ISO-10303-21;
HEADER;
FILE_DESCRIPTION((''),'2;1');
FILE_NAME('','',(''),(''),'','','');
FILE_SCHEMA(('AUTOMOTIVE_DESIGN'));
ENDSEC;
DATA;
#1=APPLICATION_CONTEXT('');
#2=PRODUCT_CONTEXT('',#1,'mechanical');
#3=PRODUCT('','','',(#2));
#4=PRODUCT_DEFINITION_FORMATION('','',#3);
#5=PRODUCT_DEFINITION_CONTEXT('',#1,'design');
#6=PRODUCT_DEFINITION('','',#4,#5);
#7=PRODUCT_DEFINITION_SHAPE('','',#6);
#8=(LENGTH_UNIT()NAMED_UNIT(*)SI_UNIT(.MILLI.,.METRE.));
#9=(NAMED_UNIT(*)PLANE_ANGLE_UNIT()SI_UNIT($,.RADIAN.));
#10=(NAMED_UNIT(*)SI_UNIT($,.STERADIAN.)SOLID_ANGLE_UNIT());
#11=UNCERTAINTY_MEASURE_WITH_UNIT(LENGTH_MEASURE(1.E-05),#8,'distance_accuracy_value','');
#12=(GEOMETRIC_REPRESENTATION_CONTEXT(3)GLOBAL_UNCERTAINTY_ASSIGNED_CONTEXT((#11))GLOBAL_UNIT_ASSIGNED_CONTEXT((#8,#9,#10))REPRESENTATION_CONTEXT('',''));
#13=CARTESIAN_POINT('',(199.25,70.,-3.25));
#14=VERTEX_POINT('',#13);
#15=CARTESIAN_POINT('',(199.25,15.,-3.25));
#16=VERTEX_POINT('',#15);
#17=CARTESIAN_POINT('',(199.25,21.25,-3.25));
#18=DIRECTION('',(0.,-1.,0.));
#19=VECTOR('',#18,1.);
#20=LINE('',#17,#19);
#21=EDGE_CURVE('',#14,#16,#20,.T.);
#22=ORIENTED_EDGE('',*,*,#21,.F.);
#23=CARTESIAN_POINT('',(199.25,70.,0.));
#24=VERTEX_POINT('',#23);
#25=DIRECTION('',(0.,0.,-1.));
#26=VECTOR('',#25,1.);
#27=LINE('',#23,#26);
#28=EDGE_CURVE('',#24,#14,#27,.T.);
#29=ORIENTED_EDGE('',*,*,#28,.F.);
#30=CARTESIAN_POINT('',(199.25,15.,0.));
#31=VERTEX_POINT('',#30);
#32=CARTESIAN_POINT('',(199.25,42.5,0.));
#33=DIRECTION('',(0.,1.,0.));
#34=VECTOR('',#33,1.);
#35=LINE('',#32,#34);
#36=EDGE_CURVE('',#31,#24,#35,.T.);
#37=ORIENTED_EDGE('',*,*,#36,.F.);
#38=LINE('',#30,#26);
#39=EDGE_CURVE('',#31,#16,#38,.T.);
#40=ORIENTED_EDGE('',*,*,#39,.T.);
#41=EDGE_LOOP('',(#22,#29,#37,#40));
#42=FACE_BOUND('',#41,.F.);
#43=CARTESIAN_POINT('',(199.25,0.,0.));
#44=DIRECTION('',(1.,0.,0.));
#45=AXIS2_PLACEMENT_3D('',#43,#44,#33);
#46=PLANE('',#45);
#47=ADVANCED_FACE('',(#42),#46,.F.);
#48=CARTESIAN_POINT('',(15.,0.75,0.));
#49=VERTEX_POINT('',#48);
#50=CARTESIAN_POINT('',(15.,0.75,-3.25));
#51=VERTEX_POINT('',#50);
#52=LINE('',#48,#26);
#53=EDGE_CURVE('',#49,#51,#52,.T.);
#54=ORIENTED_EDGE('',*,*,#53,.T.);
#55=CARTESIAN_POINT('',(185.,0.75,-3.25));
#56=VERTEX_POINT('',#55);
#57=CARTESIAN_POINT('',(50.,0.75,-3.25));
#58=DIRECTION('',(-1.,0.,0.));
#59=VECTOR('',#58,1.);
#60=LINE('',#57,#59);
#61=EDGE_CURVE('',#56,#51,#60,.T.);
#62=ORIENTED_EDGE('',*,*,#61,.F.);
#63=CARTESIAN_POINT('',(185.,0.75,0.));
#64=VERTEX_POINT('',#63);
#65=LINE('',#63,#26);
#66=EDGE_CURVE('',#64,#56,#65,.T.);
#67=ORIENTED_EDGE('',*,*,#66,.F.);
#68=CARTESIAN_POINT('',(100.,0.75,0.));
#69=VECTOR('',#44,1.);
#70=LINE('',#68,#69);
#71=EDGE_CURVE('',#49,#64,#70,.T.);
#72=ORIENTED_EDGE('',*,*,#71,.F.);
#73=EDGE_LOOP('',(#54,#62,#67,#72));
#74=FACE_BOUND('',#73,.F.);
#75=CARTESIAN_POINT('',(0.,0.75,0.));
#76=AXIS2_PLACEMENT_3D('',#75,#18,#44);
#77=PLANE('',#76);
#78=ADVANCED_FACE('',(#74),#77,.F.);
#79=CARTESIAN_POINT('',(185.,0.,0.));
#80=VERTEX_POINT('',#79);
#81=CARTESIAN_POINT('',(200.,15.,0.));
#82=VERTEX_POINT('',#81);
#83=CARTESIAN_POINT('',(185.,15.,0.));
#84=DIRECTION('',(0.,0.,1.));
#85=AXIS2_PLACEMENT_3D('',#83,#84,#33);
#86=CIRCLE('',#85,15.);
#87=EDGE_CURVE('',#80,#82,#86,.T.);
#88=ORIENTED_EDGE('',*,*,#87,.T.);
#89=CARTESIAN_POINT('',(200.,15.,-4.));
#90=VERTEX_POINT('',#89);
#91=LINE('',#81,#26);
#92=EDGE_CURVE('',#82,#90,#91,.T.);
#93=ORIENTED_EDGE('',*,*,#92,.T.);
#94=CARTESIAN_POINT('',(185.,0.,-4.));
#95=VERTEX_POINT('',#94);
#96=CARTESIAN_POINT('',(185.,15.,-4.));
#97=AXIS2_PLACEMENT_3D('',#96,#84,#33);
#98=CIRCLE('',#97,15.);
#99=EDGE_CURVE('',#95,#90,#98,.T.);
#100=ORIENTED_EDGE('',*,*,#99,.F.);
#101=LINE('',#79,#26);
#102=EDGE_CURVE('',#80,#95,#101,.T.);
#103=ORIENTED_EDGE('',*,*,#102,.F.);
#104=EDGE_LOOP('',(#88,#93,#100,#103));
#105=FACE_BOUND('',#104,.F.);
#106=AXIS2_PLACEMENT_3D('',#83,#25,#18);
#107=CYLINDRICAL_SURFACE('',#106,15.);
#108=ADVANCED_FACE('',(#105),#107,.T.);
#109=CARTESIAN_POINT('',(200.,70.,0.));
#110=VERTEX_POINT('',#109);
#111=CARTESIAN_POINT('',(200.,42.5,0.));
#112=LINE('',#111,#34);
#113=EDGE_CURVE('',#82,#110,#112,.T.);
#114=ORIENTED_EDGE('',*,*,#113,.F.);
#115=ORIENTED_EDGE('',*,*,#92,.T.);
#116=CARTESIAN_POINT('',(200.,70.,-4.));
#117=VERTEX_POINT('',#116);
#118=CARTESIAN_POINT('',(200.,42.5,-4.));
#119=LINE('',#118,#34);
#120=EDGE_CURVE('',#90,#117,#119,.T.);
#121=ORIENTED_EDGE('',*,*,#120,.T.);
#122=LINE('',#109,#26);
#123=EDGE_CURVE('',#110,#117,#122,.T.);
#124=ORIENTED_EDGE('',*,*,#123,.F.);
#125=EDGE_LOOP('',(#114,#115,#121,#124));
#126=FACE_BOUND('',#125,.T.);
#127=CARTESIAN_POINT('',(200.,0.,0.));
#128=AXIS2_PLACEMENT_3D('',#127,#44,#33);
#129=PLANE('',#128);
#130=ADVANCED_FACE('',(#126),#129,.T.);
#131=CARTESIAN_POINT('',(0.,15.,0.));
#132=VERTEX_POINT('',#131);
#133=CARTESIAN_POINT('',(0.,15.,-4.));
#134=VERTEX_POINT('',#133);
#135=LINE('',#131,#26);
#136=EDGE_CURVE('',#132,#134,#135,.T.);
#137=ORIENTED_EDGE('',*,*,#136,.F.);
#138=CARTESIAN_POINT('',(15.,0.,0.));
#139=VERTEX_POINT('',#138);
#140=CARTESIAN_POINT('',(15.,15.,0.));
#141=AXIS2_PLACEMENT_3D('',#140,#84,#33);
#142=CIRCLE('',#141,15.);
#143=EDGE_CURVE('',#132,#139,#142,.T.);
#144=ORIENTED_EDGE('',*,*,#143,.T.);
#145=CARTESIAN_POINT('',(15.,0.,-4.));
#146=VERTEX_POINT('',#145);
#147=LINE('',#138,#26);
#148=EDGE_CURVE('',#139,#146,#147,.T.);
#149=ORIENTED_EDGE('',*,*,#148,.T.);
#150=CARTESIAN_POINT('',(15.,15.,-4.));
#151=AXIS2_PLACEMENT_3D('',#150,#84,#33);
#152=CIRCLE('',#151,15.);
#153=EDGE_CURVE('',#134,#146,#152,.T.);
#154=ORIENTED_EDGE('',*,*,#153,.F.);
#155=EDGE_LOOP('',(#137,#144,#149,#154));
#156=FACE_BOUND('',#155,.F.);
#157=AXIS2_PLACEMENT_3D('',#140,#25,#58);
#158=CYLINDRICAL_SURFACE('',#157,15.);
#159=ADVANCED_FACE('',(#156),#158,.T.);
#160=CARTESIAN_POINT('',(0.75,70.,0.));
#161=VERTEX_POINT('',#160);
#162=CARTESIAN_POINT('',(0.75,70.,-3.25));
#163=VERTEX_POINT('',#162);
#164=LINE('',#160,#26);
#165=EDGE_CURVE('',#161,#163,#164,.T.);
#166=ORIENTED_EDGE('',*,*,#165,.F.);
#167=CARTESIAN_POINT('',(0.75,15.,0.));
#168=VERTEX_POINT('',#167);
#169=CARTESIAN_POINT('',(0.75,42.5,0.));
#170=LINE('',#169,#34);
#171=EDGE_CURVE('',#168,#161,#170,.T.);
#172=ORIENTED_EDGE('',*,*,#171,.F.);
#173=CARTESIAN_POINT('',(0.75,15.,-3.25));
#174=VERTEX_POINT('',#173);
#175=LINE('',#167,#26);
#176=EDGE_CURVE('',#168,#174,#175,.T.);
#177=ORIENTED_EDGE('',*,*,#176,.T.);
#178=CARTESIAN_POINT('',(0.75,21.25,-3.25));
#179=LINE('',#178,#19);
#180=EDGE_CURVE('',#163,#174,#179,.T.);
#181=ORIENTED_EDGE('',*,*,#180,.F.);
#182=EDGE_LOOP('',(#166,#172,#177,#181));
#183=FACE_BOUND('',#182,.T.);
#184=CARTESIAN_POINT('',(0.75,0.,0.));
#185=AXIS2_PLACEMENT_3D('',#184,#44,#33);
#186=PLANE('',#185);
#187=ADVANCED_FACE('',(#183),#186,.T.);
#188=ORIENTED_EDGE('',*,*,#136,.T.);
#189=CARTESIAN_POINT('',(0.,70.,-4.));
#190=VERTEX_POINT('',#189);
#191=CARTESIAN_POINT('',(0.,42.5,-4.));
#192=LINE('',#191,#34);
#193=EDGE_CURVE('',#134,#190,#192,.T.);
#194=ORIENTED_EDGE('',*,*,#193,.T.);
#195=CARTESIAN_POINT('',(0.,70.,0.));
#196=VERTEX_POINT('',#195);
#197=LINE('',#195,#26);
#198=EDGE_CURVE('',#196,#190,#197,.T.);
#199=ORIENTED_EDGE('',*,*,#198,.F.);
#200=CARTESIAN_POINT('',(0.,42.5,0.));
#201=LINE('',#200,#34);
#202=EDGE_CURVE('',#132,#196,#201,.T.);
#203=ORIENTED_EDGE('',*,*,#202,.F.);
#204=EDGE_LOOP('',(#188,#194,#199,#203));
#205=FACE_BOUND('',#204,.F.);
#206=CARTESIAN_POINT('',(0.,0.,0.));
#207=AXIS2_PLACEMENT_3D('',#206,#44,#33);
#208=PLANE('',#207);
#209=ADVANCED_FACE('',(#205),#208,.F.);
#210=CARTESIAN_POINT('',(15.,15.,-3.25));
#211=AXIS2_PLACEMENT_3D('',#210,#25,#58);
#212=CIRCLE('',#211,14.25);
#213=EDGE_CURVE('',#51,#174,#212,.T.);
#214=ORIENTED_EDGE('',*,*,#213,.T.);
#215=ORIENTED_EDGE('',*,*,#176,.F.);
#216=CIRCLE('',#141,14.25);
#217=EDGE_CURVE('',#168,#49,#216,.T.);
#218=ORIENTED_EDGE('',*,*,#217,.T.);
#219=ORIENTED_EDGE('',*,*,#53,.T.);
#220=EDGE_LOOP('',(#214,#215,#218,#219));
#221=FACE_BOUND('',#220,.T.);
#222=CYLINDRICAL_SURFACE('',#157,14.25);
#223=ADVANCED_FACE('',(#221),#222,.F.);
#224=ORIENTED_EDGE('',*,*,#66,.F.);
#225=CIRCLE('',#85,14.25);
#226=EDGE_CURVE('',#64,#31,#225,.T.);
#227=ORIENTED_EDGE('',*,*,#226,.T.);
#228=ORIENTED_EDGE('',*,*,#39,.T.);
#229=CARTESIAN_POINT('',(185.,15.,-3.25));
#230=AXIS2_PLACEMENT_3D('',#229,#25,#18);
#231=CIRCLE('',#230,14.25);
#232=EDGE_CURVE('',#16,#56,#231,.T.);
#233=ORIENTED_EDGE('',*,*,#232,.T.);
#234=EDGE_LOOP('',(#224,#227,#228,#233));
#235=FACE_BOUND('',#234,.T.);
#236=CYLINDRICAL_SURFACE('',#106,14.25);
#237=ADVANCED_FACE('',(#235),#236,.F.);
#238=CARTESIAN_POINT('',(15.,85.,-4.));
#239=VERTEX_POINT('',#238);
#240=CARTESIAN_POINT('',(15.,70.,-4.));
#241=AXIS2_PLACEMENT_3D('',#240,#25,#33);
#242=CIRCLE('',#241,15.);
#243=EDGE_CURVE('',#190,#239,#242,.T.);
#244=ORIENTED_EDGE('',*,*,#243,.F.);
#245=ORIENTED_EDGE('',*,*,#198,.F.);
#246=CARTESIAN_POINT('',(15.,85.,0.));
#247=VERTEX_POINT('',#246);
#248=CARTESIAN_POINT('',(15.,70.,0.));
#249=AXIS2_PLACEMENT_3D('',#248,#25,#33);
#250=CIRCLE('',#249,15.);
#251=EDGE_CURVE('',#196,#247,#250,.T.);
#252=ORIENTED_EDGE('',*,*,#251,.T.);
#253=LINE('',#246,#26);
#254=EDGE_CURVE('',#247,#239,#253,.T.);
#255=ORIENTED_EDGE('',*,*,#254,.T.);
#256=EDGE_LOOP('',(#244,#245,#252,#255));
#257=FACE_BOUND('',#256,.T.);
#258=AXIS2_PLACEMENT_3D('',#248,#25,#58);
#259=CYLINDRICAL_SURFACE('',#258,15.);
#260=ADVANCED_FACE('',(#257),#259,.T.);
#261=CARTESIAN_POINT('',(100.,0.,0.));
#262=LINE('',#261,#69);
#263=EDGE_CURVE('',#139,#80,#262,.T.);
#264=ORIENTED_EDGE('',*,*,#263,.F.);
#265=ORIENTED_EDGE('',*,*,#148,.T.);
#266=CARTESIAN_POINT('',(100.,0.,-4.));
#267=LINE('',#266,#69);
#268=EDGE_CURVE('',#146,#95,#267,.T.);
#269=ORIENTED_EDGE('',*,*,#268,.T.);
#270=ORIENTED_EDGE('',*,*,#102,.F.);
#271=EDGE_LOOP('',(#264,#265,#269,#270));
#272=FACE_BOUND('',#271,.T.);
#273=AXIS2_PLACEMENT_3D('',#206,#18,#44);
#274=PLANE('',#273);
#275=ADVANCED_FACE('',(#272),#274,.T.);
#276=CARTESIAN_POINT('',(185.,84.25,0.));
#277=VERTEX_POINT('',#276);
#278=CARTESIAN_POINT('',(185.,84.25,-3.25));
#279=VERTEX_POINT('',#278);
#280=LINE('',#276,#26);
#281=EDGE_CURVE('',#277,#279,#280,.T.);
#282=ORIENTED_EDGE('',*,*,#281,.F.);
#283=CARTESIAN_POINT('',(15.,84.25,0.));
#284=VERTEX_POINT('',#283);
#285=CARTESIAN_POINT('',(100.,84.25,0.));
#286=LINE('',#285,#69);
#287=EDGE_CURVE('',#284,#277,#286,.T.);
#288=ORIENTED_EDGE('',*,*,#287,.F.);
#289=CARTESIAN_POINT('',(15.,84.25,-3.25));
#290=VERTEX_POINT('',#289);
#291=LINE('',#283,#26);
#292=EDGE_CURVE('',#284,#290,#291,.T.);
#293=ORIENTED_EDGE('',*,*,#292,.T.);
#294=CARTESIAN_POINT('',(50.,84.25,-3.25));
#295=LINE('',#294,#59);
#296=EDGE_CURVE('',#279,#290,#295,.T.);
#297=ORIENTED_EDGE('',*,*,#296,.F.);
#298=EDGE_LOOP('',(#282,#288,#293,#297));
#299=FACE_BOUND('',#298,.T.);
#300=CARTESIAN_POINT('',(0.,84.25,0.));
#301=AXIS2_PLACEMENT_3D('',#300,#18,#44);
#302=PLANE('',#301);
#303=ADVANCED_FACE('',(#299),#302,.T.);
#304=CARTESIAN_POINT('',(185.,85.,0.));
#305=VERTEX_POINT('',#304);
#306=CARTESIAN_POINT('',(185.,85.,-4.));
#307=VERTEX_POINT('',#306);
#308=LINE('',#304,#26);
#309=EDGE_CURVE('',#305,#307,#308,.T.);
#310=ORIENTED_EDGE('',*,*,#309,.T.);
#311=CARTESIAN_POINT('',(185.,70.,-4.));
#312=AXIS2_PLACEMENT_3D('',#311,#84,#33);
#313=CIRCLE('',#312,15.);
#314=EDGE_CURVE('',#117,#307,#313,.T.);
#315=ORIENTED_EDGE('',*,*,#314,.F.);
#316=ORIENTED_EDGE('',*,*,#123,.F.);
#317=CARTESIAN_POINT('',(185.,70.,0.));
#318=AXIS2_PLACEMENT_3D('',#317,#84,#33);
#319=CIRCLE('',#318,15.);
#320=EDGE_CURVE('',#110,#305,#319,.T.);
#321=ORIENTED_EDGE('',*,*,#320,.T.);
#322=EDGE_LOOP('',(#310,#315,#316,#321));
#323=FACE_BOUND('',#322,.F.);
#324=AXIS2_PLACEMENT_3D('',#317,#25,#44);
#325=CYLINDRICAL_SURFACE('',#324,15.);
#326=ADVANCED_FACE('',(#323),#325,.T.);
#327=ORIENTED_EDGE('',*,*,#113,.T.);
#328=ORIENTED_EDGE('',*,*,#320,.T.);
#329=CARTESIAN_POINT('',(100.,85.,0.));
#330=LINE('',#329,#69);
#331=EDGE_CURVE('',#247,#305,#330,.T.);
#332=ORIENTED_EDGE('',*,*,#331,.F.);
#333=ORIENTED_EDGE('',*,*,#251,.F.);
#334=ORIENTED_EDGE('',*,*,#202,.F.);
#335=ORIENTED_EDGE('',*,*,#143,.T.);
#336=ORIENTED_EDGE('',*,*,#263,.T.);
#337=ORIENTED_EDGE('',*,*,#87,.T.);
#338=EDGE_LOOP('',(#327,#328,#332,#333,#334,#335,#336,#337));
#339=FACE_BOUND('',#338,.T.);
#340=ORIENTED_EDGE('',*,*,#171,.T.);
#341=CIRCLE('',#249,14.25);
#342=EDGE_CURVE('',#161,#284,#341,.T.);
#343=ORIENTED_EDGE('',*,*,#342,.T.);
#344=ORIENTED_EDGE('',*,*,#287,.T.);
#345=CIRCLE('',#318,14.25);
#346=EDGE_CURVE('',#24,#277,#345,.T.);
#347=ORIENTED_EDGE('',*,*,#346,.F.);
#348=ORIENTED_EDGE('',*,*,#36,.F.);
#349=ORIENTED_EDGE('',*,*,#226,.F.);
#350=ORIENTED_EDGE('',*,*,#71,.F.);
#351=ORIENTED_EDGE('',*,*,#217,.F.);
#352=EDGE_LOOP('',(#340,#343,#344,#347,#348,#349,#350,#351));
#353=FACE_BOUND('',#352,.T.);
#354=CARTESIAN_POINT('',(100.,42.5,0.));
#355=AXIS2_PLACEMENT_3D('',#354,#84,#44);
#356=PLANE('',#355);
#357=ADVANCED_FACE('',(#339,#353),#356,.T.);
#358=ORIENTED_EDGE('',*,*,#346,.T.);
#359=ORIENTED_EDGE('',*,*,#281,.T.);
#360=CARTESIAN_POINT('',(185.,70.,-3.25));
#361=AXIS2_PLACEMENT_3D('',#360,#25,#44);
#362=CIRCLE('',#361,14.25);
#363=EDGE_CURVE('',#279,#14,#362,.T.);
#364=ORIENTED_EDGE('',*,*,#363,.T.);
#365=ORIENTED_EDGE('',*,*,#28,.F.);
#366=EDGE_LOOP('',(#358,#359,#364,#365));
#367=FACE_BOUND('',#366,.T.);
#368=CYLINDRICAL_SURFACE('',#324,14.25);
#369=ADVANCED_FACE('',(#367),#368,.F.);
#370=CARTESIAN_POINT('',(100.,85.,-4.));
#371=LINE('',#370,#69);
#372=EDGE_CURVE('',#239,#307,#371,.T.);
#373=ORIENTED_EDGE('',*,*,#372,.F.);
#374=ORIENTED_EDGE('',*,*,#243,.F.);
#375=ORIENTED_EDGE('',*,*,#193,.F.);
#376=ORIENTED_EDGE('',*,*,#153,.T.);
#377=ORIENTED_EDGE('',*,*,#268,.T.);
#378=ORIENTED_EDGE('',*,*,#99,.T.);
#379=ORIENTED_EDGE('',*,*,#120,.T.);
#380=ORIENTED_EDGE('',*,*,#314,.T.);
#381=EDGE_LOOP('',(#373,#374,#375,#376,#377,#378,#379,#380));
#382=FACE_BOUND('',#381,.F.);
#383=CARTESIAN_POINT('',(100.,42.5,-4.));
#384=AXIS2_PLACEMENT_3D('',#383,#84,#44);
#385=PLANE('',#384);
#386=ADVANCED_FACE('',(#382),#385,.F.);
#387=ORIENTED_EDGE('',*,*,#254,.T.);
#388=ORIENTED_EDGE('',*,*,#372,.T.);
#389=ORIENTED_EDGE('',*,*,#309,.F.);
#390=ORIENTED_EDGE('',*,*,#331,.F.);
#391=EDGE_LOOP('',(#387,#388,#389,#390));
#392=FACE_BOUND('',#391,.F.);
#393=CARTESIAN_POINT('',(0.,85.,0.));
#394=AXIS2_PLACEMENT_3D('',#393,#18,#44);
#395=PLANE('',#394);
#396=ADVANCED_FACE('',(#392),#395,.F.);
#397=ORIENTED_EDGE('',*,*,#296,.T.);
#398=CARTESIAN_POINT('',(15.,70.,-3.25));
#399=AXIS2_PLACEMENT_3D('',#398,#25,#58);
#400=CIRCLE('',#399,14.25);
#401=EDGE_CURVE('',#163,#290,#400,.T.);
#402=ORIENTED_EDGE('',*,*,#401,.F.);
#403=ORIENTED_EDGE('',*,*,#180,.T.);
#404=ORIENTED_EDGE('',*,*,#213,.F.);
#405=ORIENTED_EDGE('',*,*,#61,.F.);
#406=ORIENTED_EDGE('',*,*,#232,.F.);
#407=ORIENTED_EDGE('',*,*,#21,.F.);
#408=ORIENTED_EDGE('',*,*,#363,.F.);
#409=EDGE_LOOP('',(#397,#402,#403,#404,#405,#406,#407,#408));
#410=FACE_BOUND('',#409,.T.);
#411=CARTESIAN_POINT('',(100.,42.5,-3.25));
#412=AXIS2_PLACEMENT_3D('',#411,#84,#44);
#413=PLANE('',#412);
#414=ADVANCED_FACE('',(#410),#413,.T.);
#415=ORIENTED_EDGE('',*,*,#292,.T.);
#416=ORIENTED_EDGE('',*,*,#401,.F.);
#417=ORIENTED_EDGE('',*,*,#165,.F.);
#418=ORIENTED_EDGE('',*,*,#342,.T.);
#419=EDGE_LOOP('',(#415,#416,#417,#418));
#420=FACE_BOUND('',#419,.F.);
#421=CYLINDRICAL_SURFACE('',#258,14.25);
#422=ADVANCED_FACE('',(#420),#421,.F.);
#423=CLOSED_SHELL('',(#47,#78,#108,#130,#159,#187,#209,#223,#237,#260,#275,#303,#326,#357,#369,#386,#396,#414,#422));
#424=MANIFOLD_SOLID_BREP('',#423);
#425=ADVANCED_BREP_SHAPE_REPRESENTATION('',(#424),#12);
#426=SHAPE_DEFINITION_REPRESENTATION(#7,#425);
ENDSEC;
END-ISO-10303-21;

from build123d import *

# Parameters (mm, degrees)
F0_W     = 200
F0_H     = 85
F1_DEPTH = 4
F2_R     = 15
F3_T     = -0.75


with BuildPart() as f1:
    # F0 (on Top) → F1 (new body)
    with BuildSketch(Plane.XY):
        with Locations((100, 42.5)):
            Rectangle(F0_W, F0_H)
    extrude(amount=-F1_DEPTH)

    # F2
    f2_edges = [f1.edges().sort_by_distance(p)[0] for p in [
        (0, 0, -2),
        (200, 0, -2),
        (200, 85, -2),
        (0, 85, -2),
    ]]
    fillet(f2_edges, radius=F2_R)

    # F3
    f3_openings = [f1.faces().sort_by_distance(p)[0] for p in [
        (100, 42.5, 0),
    ]]
    offset(amount=F3_T, openings=f3_openings)


solid = f1.part
